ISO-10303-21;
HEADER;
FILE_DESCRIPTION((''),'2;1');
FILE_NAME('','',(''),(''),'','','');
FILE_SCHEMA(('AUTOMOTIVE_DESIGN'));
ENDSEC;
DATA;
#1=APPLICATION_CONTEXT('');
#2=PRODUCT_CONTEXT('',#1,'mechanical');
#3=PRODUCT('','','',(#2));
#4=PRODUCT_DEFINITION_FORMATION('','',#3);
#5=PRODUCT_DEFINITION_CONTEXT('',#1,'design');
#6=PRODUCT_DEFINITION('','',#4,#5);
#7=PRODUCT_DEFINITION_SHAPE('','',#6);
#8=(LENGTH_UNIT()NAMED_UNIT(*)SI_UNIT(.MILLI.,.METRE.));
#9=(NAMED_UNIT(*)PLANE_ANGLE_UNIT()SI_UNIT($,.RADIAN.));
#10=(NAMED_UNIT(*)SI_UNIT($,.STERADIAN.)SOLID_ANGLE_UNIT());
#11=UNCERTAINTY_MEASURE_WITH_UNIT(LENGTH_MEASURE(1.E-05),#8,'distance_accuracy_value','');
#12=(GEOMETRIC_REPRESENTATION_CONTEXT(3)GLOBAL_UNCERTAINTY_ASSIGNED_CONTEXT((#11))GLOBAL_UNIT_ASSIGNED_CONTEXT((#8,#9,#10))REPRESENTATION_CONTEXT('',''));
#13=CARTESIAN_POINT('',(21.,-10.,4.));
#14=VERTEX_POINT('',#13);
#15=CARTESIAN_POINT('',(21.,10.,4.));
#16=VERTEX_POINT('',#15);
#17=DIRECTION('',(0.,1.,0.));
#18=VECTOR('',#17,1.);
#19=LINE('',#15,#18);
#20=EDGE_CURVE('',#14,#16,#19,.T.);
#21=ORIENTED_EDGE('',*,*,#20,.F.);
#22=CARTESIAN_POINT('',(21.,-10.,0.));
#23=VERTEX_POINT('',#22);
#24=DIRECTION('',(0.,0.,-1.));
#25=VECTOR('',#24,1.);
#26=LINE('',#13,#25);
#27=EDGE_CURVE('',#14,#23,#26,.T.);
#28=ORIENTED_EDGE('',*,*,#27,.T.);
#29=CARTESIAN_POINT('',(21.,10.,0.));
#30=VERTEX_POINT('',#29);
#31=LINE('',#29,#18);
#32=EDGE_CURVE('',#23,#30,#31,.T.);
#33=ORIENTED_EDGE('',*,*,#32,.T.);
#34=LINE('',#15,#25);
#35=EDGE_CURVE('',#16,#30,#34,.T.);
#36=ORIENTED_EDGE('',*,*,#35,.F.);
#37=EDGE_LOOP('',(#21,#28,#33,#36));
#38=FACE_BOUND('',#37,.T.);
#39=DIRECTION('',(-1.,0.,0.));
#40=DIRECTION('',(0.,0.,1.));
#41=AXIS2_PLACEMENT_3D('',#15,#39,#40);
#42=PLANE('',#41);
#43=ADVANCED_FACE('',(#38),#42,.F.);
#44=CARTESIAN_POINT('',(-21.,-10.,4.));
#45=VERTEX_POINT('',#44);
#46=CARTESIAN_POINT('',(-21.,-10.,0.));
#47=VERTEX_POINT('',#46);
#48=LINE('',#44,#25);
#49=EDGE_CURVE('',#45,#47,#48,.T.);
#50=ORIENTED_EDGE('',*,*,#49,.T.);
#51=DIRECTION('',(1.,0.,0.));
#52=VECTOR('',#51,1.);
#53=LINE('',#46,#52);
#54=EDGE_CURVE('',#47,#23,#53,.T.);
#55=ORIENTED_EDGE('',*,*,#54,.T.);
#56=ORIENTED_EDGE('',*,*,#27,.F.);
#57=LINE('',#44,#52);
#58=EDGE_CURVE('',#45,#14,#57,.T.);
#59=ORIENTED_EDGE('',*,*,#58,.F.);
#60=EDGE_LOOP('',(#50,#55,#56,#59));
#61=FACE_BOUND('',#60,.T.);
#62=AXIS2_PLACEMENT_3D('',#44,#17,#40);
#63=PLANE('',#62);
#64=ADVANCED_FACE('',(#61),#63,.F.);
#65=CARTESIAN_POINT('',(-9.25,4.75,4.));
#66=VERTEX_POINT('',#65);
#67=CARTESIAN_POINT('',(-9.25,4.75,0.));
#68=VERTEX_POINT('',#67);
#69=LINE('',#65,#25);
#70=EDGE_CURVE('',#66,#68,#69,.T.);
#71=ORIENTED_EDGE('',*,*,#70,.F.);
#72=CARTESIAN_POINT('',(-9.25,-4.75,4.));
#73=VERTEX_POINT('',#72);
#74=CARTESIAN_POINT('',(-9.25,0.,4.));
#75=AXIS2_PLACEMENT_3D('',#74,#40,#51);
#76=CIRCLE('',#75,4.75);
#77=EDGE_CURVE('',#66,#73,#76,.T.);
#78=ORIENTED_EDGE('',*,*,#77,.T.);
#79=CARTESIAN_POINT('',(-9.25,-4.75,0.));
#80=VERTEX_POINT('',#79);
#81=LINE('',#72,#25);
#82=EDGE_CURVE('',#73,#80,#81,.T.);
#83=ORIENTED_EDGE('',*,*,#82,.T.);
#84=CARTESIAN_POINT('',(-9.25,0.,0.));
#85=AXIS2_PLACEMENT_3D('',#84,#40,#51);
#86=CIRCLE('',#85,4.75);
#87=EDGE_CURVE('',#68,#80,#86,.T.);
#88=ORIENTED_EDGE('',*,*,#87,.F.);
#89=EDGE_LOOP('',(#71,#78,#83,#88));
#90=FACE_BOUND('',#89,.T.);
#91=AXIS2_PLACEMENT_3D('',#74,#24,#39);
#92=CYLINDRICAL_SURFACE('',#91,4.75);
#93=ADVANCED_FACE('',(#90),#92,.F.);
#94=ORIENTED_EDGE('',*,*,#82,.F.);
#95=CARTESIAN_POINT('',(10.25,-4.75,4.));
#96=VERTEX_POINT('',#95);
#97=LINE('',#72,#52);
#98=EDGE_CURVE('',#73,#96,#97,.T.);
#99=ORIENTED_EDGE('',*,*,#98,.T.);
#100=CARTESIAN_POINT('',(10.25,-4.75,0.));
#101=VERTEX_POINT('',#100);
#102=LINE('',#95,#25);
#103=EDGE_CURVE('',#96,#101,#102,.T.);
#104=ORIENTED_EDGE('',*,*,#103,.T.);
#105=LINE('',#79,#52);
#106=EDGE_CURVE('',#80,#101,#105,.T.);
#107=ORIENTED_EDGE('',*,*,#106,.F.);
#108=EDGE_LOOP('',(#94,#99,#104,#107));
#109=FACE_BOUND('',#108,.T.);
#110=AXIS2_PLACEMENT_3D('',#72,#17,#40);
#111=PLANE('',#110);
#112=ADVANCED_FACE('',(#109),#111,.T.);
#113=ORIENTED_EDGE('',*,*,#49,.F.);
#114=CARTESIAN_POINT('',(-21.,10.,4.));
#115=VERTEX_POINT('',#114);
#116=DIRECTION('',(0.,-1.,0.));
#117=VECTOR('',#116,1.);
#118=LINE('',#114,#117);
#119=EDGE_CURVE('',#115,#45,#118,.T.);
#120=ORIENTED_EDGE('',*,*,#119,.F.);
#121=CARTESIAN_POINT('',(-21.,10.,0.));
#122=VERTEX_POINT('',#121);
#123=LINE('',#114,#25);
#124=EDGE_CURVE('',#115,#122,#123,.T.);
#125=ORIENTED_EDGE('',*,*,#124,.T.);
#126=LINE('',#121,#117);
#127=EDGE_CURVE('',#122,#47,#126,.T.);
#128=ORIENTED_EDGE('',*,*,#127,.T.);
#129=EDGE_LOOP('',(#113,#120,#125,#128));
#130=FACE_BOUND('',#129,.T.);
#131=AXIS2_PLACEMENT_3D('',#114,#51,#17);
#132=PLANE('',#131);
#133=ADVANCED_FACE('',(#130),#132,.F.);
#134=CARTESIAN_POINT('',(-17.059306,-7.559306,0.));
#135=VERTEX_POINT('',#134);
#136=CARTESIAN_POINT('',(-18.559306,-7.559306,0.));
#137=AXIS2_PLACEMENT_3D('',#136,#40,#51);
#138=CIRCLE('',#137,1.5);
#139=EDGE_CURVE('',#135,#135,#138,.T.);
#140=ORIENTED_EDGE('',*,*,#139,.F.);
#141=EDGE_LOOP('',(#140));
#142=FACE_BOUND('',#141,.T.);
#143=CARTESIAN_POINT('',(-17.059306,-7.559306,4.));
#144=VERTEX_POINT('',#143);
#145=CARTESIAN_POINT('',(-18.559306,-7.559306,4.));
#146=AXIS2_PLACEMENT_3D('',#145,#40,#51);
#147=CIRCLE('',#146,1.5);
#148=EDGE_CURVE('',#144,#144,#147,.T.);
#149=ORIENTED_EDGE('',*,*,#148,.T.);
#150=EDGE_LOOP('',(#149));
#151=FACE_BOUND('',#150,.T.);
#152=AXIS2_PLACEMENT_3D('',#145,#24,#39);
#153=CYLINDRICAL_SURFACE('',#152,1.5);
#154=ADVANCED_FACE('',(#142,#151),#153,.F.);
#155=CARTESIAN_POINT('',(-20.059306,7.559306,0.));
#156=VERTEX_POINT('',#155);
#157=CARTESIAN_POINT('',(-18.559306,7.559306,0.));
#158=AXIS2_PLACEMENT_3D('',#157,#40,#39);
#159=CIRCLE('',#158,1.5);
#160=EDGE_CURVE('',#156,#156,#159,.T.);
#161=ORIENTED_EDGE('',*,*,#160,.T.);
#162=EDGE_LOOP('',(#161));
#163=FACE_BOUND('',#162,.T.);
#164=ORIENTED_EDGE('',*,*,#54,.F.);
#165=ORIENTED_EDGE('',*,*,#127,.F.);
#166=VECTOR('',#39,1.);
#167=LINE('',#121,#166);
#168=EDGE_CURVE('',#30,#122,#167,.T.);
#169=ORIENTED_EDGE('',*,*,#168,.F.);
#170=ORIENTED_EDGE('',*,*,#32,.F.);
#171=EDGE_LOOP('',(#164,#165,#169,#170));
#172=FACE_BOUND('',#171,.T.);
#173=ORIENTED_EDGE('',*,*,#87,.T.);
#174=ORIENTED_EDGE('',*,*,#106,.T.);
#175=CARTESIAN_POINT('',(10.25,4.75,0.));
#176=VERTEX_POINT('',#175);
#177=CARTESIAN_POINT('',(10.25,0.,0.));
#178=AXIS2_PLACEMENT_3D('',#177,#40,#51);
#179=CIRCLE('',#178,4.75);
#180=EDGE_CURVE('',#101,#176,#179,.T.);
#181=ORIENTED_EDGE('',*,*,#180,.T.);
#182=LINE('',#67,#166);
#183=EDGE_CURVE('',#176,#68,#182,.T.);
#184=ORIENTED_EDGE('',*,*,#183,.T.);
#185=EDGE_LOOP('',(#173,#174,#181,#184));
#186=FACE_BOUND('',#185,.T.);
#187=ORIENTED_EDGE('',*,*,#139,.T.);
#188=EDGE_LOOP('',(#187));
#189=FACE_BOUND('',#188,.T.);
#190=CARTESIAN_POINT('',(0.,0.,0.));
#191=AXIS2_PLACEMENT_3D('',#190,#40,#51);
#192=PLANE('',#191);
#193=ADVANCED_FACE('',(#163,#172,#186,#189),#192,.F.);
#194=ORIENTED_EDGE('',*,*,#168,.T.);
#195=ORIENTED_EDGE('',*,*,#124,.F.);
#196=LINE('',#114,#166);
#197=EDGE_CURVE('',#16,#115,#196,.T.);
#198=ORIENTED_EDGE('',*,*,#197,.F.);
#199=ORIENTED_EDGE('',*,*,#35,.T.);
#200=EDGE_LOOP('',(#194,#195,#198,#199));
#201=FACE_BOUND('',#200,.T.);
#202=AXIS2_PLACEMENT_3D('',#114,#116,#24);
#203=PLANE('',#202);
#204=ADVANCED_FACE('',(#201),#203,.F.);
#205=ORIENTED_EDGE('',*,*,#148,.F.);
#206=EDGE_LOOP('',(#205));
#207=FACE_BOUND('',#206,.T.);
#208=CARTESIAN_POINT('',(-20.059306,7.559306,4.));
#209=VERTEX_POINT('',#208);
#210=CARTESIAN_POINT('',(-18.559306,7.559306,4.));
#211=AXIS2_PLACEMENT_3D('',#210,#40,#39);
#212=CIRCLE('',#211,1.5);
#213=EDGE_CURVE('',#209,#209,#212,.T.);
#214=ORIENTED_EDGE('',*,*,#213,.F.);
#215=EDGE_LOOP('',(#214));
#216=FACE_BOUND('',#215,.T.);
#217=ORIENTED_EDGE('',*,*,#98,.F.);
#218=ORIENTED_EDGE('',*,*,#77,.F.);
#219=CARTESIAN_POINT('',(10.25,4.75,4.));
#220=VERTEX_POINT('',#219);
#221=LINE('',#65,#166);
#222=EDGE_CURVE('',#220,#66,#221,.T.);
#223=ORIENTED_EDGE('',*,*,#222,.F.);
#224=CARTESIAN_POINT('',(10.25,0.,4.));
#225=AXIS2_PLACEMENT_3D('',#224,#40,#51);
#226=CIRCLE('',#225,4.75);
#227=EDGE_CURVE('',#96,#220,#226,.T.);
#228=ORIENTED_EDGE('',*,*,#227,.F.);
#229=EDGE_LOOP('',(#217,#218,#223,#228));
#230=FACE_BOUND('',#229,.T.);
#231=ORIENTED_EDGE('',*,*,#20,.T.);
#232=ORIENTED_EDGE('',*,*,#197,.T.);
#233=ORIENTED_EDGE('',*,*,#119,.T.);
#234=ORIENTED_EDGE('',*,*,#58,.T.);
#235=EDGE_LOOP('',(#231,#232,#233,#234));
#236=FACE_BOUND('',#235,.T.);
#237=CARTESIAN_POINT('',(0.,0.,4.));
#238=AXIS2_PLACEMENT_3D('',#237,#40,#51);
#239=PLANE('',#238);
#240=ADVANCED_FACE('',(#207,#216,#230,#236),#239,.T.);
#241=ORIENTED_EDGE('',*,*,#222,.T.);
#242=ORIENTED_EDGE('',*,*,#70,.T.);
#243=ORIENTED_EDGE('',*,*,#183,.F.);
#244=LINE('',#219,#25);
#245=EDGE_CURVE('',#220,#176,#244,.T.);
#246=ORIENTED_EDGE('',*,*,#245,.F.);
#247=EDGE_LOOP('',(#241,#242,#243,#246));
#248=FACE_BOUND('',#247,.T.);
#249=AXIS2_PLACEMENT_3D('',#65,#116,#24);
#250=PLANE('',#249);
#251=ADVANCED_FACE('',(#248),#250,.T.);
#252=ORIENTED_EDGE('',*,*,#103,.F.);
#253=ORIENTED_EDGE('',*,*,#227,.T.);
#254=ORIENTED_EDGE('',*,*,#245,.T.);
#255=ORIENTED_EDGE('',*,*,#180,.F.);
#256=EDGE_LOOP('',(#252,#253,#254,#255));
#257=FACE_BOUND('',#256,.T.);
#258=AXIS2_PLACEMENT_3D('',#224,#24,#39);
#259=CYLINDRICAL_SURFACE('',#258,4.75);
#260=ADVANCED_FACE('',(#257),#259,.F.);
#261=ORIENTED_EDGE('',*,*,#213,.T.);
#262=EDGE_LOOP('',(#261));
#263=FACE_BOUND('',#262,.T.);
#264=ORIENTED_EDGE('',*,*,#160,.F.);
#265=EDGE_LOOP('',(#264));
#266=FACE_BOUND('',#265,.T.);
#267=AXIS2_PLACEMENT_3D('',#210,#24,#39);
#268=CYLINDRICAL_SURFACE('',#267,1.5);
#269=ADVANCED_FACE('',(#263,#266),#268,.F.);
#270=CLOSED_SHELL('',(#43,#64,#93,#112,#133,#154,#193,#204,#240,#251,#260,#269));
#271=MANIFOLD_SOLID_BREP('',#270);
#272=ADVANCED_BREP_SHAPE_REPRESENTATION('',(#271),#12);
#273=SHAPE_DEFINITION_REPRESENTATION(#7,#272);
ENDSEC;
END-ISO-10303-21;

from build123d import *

# Parameters (mm, degrees)
SKETCH1_W           = 42
SKETCH1_H           = 20
SKETCH1_R           = 1.5
BOSS_EXTRUDE1_DEPTH = 4


with BuildPart() as part:
    # Sketch1 → Boss-Extrude1 (new body)
    with BuildSketch(Plane.XY):
        Rectangle(SKETCH1_W, SKETCH1_H)
        with Locations((-18.559305938, -7.559305938)):
            Circle(SKETCH1_R, mode=Mode.SUBTRACT)
        with Locations(Location((-18.559305938, 7.559305938, 0), (0, 0, 180))):
            Circle(SKETCH1_R, mode=Mode.SUBTRACT)
        with BuildLine():
            Line((-9.25, 4.75), (10.25, 4.75))
            ThreePointArc((10.25, 4.75), (15, 0), (10.25, -4.75))
            Line((10.25, -4.75), (-9.25, -4.75))
            ThreePointArc((-9.25, -4.75), (-14, 0), (-9.25, 4.75))
        make_face(mode=Mode.SUBTRACT)
    extrude(amount=BOSS_EXTRUDE1_DEPTH)


solid = part.part
